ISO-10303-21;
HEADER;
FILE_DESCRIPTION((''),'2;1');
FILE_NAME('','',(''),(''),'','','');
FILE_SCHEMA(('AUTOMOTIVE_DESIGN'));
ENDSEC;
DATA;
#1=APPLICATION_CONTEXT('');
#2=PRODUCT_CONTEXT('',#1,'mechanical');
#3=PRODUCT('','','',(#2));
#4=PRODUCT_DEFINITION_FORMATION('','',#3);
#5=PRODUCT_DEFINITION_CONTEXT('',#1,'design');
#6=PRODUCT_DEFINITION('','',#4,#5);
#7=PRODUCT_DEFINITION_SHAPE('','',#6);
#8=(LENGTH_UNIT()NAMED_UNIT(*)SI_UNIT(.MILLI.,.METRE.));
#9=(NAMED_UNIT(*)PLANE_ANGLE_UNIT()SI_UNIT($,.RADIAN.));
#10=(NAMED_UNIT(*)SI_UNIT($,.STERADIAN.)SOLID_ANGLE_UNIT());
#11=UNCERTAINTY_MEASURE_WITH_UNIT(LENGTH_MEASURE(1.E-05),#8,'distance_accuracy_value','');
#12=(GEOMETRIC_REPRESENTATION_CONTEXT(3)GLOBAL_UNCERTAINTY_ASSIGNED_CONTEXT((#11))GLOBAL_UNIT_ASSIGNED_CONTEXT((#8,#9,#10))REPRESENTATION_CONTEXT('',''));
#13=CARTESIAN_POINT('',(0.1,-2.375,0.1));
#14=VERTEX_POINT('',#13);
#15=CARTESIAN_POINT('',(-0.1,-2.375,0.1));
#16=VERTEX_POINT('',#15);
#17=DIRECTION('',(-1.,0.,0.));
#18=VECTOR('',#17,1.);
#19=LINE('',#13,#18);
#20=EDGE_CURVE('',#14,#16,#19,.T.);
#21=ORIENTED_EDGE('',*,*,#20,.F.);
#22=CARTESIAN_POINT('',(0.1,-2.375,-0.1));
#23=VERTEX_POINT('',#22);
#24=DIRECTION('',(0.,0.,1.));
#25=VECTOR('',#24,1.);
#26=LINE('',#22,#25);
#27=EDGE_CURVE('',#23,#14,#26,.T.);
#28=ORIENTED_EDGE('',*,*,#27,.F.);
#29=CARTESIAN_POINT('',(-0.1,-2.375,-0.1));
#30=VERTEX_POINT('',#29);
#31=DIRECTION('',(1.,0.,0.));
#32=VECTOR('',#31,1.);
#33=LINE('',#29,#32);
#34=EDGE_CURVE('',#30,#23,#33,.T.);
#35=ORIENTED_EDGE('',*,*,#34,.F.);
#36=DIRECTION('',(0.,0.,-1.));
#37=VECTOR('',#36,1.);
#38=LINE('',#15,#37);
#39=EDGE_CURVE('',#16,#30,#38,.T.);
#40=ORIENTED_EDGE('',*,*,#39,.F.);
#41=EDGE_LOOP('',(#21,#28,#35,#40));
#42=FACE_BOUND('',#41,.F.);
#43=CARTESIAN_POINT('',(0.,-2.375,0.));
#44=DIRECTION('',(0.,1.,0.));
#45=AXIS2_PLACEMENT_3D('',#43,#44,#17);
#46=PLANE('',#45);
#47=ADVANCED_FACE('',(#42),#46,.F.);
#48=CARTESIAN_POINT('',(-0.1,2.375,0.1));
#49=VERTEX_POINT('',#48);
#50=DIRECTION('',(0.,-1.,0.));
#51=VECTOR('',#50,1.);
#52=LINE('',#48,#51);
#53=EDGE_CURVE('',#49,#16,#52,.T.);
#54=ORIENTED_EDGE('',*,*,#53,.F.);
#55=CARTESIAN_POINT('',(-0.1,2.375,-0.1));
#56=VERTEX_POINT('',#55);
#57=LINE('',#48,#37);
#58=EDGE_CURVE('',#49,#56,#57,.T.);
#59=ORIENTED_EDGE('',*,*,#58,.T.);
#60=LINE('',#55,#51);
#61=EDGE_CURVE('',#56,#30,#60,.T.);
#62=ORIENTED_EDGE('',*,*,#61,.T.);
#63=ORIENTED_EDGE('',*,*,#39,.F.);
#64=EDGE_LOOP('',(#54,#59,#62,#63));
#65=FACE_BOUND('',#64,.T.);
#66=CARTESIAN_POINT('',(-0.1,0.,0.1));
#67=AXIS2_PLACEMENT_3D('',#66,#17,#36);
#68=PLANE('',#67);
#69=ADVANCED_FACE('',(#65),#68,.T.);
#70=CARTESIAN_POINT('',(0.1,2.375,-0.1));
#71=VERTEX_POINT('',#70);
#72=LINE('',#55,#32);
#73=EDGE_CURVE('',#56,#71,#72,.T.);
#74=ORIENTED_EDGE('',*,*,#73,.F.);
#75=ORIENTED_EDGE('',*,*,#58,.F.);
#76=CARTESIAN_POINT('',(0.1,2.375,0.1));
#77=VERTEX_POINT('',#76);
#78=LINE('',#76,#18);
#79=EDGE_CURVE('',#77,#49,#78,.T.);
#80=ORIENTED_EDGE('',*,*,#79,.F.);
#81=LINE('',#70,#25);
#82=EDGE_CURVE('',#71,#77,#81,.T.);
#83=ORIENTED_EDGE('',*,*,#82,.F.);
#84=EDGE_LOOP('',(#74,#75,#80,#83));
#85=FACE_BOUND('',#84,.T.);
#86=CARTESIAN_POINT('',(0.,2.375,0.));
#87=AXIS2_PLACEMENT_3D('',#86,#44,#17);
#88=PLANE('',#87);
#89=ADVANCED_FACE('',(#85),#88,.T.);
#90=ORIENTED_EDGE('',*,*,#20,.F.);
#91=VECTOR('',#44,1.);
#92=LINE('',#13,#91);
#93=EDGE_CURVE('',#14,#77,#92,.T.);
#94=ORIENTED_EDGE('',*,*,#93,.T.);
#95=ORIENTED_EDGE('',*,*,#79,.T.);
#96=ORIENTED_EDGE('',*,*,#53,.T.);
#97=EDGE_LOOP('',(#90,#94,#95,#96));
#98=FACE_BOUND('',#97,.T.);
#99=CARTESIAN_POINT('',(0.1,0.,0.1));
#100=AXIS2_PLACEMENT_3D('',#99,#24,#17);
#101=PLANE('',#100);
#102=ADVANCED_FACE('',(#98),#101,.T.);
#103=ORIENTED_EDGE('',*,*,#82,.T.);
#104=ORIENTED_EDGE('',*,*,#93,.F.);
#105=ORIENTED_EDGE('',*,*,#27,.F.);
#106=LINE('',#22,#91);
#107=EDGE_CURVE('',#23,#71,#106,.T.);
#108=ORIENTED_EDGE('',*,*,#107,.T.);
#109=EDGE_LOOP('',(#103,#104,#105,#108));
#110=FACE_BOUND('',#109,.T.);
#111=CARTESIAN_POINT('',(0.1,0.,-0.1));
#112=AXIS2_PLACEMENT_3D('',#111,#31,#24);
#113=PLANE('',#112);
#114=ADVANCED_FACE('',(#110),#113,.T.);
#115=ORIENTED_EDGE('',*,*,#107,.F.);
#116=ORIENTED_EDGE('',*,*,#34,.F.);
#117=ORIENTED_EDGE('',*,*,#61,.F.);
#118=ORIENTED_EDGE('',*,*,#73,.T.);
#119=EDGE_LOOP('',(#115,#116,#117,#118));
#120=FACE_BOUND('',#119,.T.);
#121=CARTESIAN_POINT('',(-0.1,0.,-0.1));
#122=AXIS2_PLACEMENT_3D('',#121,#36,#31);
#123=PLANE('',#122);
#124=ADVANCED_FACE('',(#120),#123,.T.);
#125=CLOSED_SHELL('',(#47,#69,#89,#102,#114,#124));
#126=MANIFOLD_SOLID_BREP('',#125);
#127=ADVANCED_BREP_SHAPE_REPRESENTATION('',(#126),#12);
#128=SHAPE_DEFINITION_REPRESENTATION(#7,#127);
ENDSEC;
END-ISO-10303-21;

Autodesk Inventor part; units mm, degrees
ref_plane "YZ Plane" through (0, 0, 0) normal (1, 0, 0) x (0, 1, 0)
ref_plane "XZ Plane" through (0, 0, 0) normal (0, 1, 0) x (-1, 0, 0)
ref_plane "XY Plane" through (0, 0, 0) normal (0, 0, 1) x (1, 0, 0)
sketch "Sketch1" plane through (0, 0, 0) normal (0, 1, 0) x (-1, 0, 0)
  line L0 (-0.1, 0.1) -> (0.1, 0.1)
  line L1 (0.1, 0.1) -> (0.1, -0.1)
  line L2 (0.1, -0.1) -> (-0.1, -0.1)
  line L3 (-0.1, -0.1) -> (-0.1, 0.1)
  line L4 (-0.1, 0.1) -> (0.1, -0.1) construction
  line L5 (0.1, 0.1) -> (-0.1, -0.1) construction
  point P0 (0, 0)
  dimension "d0" = 0.2
  dimension "d1" = 0.2
extrude "Extrusion1" add sketch "Sketch1" along normal mid plane 4.75
properties part number "Bone6_5_Fix"
